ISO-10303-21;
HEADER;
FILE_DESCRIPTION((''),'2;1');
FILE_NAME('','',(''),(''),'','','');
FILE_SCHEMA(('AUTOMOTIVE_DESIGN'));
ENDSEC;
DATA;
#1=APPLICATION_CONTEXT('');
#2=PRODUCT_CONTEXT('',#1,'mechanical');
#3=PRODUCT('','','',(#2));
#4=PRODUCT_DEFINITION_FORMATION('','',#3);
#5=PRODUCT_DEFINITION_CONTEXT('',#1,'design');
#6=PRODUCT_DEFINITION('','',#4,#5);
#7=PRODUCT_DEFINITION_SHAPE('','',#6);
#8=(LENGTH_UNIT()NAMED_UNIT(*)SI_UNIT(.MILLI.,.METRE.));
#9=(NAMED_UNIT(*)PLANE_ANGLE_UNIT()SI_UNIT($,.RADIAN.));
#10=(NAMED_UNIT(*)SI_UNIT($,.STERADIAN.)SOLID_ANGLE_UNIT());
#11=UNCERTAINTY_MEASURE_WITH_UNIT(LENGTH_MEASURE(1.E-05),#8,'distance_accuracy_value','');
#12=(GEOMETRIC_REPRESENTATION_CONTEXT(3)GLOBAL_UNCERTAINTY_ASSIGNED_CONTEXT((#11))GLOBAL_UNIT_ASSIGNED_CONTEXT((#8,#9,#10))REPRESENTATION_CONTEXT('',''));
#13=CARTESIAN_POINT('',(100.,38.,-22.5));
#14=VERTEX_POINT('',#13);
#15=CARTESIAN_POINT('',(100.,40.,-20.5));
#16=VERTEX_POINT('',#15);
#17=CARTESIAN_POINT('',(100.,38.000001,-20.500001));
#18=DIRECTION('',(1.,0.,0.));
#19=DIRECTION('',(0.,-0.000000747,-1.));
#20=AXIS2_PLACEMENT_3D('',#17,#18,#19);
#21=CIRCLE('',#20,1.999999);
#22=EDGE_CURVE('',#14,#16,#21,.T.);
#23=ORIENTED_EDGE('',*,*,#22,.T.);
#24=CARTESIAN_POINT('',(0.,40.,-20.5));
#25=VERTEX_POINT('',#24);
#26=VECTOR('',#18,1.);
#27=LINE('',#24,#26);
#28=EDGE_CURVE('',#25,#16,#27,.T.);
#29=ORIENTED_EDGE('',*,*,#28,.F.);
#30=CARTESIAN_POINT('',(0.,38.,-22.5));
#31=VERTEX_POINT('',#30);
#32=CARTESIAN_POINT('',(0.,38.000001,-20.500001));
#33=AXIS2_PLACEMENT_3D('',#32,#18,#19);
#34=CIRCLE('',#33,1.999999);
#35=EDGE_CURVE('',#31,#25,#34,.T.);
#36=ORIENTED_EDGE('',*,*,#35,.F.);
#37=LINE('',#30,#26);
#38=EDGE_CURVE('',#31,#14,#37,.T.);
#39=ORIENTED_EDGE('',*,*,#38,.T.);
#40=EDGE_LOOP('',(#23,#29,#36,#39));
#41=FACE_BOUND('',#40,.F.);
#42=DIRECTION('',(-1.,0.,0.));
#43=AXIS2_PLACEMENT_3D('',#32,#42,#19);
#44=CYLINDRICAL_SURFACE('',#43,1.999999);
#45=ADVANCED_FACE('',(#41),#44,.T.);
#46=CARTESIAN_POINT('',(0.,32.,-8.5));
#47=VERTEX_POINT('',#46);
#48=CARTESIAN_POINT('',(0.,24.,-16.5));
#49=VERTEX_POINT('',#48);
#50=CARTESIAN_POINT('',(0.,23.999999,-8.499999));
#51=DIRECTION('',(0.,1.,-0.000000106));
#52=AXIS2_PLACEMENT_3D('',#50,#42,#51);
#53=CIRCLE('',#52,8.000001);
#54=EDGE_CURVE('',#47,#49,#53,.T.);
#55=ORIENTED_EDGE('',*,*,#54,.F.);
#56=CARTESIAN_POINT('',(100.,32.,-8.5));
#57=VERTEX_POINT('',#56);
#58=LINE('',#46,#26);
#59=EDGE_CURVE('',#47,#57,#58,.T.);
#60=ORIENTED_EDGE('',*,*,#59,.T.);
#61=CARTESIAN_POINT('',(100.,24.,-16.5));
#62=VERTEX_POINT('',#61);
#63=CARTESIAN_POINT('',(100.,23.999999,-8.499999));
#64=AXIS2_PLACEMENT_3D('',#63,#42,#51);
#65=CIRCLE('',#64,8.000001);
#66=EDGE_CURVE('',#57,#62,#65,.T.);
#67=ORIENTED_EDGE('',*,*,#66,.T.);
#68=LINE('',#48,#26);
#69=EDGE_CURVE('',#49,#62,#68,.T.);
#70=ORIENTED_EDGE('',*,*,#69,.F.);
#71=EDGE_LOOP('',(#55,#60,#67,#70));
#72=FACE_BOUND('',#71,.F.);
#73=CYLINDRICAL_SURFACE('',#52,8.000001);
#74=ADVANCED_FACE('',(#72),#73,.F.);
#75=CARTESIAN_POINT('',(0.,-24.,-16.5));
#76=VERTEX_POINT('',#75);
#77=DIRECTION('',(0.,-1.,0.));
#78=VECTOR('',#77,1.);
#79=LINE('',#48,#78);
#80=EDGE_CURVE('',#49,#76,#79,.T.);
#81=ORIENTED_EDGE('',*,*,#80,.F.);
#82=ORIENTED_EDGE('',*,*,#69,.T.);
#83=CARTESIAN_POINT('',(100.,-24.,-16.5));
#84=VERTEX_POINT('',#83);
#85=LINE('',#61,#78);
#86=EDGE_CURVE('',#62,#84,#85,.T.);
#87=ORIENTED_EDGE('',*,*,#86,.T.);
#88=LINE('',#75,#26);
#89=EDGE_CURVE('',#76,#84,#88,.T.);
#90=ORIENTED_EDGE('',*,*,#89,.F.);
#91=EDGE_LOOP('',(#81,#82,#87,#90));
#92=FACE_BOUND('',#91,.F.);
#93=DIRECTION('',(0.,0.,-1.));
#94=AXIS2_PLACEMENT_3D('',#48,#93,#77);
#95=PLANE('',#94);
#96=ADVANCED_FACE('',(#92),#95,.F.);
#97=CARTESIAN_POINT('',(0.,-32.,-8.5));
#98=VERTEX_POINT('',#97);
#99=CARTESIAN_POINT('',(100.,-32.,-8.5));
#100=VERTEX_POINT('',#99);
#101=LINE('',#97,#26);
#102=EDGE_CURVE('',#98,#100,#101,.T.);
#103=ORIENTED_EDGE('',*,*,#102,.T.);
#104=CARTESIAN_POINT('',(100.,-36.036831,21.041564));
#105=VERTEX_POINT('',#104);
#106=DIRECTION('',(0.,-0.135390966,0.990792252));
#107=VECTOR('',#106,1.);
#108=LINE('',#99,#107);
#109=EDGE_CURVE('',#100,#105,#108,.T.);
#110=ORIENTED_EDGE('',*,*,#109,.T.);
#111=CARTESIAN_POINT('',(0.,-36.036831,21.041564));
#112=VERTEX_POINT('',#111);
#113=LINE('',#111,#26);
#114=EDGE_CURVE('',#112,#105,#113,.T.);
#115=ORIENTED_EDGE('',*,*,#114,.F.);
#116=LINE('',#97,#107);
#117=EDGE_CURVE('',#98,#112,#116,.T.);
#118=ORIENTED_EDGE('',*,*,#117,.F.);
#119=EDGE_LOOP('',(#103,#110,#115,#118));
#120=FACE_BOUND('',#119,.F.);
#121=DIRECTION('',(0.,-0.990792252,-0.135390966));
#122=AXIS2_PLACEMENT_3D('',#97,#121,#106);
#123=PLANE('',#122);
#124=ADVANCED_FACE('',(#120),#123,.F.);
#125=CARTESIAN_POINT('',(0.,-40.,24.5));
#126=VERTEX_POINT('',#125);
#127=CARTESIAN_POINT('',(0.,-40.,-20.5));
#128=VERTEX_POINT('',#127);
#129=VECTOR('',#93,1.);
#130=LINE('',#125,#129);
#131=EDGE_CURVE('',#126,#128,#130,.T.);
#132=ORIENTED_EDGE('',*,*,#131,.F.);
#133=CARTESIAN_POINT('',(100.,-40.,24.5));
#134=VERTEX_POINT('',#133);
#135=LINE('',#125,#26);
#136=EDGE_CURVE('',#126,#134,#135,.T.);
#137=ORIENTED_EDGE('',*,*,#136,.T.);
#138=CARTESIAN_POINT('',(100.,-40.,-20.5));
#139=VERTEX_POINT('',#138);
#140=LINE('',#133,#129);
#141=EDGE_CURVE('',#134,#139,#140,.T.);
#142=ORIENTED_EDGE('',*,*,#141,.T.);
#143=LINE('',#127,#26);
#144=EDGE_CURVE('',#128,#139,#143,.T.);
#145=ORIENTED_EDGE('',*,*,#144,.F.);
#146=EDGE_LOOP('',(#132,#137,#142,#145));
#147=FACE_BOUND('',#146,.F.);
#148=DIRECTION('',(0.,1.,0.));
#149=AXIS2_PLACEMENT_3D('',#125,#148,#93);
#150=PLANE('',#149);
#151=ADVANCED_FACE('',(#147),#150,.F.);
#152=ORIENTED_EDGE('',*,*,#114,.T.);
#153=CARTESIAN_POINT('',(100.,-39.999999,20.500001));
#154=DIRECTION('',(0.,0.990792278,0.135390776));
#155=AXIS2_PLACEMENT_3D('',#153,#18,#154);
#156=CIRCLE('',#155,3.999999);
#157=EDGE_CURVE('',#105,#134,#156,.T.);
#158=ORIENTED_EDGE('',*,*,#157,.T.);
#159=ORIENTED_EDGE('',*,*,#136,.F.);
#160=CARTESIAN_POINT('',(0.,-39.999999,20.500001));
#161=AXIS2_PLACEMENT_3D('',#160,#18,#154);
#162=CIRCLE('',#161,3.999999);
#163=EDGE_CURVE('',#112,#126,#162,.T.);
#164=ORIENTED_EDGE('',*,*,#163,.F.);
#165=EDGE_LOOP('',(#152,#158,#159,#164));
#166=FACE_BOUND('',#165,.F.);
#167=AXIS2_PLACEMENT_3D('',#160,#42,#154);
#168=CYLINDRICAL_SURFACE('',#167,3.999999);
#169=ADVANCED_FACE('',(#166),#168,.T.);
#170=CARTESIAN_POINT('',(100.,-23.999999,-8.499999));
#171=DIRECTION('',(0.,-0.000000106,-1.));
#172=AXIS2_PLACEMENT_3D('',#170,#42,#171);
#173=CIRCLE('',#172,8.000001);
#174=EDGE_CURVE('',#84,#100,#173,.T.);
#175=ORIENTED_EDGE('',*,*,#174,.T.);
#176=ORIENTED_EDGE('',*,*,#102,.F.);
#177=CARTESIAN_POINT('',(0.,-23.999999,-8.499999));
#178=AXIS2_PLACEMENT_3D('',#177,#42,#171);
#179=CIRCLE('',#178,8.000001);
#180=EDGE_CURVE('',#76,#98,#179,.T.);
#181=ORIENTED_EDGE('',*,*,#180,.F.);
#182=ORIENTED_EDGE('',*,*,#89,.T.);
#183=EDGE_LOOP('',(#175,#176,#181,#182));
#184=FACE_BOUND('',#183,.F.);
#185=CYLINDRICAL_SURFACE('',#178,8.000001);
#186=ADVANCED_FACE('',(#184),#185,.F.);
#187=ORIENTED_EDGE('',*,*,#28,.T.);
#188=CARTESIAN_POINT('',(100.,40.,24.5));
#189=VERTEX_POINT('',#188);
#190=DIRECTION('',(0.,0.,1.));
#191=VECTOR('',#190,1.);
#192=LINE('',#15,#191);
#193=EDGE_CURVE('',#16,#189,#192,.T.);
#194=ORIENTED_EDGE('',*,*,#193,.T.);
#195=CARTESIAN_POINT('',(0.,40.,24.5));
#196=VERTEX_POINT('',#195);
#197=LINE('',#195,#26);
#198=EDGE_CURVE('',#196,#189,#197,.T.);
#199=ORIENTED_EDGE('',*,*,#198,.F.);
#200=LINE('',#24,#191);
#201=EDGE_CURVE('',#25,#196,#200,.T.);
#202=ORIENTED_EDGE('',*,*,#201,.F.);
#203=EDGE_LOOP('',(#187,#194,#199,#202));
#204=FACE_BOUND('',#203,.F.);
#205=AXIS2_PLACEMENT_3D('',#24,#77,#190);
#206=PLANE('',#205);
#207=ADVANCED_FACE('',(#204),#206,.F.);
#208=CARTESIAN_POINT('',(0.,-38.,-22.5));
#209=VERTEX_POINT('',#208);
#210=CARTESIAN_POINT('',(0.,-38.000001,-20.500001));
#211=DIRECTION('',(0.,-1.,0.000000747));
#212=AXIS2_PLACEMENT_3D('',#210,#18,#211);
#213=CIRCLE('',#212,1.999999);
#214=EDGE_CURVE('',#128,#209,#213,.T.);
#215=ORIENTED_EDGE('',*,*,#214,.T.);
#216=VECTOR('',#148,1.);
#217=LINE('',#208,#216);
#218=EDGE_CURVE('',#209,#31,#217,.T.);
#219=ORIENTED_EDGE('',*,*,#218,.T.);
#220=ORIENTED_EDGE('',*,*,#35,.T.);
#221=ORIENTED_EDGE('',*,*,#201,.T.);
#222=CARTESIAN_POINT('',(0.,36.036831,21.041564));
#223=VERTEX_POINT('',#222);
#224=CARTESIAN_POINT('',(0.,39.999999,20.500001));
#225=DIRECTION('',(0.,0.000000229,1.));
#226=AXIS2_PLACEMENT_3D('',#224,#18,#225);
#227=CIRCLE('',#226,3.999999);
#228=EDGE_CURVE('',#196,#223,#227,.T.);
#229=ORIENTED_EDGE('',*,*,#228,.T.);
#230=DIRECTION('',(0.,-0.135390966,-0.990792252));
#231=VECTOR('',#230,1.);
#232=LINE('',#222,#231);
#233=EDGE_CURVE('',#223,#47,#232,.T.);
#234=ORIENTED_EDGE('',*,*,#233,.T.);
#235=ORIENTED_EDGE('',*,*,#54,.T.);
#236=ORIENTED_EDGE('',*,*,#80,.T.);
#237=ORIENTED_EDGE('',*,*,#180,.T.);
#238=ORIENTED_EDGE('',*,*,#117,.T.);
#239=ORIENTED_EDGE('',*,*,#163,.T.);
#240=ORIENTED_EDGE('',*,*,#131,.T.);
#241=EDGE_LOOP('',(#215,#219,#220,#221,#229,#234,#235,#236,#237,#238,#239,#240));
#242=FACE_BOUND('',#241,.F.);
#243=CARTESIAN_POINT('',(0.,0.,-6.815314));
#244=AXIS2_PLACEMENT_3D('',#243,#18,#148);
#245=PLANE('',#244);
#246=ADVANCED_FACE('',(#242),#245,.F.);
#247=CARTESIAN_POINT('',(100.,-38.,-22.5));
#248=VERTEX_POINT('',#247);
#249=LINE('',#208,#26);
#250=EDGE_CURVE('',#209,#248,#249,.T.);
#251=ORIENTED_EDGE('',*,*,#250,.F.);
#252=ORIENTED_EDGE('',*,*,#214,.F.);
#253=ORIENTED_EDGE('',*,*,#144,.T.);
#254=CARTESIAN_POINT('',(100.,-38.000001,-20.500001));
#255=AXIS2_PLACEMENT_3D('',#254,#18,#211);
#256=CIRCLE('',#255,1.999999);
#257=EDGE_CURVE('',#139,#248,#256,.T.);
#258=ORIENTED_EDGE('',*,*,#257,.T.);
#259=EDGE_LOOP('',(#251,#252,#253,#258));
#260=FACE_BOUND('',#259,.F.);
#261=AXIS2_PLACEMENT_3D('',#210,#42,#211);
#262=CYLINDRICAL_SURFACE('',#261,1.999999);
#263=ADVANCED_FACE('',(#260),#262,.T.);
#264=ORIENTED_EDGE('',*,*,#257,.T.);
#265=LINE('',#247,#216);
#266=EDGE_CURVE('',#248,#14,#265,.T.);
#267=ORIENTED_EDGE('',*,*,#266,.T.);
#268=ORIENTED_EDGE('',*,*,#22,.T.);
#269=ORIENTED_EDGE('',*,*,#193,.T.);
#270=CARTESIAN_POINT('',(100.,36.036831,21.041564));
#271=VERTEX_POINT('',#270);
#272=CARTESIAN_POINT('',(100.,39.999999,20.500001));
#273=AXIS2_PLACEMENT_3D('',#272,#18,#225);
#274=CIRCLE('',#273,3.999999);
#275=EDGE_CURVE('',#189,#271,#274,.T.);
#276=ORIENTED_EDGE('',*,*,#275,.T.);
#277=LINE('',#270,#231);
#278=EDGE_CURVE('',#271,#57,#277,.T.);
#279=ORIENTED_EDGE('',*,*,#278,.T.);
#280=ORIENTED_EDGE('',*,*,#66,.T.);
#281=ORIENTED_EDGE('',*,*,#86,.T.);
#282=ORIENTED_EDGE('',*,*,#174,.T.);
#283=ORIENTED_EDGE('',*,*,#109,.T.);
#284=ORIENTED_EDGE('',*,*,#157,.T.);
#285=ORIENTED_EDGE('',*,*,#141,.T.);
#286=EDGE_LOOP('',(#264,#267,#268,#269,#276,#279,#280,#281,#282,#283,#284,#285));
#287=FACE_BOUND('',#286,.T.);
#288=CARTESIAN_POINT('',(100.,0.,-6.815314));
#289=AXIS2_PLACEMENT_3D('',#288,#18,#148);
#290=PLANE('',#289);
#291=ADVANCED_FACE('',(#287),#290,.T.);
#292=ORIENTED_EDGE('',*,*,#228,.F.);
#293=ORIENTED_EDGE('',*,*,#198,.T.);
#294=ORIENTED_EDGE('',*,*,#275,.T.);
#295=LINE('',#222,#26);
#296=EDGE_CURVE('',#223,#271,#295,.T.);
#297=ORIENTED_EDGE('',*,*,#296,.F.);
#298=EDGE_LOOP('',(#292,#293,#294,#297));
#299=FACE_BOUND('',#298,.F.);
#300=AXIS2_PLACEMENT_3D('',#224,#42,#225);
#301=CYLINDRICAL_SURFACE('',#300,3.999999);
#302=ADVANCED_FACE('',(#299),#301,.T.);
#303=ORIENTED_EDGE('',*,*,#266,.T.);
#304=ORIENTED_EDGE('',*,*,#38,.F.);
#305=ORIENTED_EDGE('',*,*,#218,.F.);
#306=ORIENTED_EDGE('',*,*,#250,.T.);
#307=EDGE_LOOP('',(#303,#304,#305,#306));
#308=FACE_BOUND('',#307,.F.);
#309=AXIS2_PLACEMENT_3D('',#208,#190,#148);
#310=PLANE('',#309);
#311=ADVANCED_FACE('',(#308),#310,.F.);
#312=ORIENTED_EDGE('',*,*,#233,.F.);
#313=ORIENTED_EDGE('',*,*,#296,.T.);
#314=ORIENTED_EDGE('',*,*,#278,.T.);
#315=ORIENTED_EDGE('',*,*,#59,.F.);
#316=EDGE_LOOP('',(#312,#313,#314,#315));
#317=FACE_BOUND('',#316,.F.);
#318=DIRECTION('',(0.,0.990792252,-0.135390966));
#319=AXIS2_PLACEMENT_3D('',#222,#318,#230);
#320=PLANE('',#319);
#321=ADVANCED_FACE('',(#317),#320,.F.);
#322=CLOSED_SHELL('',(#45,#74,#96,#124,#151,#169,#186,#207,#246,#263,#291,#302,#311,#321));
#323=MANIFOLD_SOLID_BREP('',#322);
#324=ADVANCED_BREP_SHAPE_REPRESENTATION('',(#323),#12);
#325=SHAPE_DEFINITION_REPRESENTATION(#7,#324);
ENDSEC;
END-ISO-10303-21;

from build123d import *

# Parameters (mm, degrees)
F1_DEPTH = 100


with BuildPart() as f1:
    # F0 (on Right) → F1 (new body)
    with BuildSketch(Plane.YZ):
        with BuildLine():
            ThreePointArc((-40, -20.5), (-39.414214, -21.914214), (-38, -22.5))
            Line((-38, -22.5), (38, -22.5))
            ThreePointArc((38, -22.5), (39.414214, -21.914214), (40, -20.5))
            Line((40, -20.5), (40, 24.5))
            ThreePointArc((40, 24.5), (37.370005, 23.513823), (36.036831, 21.041564))
            Line((36.036831, 21.041564), (32, -8.5))
            ThreePointArc((32, -8.5), (29.656854, -14.156854), (24, -16.5))
            Line((24, -16.5), (-24, -16.5))
            ThreePointArc((-24, -16.5), (-29.656854, -14.156854), (-32, -8.5))
            Line((-32, -8.5), (-36.036831, 21.041564))
            ThreePointArc((-36.036831, 21.041564), (-37.370005, 23.513823), (-40, 24.5))
            Line((-40, 24.5), (-40, 20.5))
            Line((-40, 20.5), (-40, 16.5))
            Line((-40, 16.5), (-40, -20.5))
        make_face()
    extrude(amount=F1_DEPTH)


solid = f1.part
